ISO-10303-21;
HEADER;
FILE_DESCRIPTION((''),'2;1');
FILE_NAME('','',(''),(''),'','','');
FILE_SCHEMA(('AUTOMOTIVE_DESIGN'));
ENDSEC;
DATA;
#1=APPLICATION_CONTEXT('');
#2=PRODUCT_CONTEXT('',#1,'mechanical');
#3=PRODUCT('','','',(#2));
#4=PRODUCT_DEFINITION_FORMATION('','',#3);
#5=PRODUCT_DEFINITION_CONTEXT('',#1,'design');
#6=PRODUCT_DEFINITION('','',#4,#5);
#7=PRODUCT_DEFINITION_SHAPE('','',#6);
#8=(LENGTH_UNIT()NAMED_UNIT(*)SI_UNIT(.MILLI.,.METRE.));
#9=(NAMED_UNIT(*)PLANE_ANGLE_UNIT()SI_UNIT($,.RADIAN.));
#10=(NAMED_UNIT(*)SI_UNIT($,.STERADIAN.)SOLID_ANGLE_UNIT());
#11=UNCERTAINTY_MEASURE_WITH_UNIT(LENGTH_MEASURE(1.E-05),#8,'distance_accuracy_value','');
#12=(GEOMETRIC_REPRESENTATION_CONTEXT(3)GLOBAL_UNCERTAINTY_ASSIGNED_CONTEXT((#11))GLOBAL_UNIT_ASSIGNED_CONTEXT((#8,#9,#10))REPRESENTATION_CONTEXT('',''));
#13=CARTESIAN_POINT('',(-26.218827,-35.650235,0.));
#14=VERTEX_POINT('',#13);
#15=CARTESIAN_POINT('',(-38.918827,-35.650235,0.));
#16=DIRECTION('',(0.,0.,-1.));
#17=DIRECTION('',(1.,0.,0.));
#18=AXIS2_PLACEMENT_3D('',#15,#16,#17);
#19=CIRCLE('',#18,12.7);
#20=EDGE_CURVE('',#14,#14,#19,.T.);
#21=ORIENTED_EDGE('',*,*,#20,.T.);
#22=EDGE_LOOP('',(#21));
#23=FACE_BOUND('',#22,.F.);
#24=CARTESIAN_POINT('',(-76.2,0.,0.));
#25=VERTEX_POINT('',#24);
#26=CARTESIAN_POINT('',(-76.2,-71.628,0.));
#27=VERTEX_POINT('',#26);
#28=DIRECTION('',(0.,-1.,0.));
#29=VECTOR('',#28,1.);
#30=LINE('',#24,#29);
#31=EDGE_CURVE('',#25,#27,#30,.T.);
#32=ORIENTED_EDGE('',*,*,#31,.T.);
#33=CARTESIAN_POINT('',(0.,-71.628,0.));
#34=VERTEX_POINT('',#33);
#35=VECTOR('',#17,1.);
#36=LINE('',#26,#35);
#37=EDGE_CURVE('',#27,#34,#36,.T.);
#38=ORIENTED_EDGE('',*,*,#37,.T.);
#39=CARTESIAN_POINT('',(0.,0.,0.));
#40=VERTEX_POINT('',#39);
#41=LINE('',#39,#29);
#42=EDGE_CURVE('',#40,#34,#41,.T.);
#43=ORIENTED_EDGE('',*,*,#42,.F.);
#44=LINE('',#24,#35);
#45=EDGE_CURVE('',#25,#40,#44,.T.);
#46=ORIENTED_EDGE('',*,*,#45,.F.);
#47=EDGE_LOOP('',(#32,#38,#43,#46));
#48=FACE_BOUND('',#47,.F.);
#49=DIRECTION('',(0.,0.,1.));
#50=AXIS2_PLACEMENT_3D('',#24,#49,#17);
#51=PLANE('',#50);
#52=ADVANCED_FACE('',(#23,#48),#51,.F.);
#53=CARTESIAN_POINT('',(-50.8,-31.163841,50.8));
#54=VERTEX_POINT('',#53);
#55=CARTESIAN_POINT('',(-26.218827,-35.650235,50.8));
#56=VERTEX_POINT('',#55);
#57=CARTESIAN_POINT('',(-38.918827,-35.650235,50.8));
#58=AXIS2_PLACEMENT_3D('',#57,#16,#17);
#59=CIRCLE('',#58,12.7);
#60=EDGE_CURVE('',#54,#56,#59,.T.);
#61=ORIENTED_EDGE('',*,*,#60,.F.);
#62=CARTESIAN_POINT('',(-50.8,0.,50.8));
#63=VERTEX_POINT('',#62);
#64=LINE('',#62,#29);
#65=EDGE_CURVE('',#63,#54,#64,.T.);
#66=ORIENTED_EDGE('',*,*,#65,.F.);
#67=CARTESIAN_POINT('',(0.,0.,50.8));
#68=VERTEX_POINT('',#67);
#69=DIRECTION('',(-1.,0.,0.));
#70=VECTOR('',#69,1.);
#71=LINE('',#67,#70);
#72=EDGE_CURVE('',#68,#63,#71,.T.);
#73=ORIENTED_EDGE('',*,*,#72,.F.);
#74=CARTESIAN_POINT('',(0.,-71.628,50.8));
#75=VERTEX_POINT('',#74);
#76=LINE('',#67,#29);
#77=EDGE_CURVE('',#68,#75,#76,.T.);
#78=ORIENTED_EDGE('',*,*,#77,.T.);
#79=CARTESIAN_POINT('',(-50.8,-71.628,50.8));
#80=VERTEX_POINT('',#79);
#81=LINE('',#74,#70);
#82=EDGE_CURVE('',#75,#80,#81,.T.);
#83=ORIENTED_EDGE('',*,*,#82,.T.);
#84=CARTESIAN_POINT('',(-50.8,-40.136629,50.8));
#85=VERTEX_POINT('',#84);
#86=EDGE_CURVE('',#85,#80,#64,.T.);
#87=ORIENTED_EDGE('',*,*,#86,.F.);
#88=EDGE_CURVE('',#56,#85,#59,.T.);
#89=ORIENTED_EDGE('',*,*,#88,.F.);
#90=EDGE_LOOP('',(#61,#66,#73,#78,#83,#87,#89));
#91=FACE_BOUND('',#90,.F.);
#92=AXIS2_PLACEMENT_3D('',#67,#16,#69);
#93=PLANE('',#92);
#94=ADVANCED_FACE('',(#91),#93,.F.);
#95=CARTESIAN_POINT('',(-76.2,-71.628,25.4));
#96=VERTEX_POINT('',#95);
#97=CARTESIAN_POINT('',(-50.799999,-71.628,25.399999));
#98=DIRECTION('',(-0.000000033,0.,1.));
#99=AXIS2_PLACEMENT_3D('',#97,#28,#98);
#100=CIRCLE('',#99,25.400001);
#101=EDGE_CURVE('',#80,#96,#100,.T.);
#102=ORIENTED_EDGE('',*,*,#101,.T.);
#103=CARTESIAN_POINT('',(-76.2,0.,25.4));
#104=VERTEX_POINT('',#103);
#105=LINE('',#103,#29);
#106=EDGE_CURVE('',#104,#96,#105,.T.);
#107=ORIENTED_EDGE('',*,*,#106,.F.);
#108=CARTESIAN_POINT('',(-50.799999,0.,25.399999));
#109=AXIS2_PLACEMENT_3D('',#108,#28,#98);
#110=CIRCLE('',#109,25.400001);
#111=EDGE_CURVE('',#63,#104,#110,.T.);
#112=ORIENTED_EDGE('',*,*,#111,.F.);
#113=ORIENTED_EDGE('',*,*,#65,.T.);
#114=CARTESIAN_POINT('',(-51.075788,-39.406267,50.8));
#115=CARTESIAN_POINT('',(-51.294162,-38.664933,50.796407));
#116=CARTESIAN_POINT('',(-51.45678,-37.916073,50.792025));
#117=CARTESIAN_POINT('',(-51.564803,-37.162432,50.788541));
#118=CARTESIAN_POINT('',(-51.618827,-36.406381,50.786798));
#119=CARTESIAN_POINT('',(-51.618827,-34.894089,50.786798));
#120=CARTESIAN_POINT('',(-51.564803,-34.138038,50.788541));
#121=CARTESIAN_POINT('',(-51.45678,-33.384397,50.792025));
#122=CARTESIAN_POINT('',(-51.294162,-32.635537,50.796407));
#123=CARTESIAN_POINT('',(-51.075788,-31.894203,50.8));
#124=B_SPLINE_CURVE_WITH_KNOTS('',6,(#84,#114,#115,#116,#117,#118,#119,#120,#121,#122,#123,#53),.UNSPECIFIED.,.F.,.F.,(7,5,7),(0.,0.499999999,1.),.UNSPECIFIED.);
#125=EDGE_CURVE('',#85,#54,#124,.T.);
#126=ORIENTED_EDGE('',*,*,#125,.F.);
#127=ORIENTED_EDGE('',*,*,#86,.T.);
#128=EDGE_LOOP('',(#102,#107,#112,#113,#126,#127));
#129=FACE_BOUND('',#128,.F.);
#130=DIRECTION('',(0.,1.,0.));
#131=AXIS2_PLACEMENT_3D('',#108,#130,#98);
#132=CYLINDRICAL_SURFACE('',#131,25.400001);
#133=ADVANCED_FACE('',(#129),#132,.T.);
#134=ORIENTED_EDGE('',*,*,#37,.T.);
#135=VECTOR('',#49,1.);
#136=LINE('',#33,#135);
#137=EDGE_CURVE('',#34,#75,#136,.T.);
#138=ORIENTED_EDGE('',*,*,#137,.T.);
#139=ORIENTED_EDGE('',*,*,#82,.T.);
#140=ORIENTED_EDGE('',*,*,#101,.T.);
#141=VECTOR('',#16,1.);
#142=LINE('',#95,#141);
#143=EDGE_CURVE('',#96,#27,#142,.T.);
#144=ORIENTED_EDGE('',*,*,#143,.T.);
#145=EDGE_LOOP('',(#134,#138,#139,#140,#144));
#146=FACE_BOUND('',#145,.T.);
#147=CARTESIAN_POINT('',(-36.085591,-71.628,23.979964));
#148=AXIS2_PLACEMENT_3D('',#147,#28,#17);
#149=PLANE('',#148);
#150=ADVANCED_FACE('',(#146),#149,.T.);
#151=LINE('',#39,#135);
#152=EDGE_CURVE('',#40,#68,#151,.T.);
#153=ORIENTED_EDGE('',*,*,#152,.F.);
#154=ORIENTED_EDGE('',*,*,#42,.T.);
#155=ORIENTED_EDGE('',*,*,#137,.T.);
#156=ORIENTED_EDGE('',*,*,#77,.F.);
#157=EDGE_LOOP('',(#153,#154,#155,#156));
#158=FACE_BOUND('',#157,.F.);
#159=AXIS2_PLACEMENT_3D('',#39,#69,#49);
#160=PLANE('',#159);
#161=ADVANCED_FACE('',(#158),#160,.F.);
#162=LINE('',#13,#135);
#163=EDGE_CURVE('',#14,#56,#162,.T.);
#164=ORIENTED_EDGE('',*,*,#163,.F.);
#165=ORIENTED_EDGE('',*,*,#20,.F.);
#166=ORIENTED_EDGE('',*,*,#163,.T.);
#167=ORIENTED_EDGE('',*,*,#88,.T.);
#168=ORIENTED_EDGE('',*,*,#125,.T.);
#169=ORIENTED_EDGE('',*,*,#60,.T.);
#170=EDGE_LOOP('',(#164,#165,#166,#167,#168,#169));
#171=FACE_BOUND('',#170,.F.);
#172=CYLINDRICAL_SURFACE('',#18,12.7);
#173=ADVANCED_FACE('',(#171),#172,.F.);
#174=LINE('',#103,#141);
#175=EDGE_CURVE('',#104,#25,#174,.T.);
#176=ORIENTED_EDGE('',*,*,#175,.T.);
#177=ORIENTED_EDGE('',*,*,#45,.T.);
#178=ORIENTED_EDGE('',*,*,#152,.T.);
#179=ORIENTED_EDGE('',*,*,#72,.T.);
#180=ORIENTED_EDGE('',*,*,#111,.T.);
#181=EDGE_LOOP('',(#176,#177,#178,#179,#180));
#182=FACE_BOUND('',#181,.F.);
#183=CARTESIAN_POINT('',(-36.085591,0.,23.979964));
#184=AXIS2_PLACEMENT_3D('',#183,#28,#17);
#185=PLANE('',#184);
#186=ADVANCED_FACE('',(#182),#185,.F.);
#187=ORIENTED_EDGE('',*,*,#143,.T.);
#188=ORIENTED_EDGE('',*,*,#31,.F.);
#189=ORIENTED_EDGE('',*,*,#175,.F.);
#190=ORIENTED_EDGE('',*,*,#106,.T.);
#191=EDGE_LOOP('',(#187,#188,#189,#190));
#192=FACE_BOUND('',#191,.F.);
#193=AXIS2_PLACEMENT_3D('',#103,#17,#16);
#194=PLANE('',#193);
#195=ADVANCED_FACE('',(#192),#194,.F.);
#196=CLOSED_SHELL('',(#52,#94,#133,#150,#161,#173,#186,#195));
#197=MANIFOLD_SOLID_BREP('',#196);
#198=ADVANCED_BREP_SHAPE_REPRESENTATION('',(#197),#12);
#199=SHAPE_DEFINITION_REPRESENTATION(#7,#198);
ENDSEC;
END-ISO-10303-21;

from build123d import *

# Parameters (mm, degrees)
F1_DEPTH = 71.628
F2_R     = 12.7
F3_DEPTH = 50.801


with BuildPart() as f1:
    # F0 (on Front) → F1 (new body)
    with BuildSketch(Plane.XZ):
        with BuildLine():
            Line((-76.2, 0), (0, 0))
            Line((0, 0), (0, 50.8))
            Line((0, 50.8), (-50.8, 50.8))
            ThreePointArc((-50.8, 50.8), (-68.760512, 43.360512), (-76.2, 25.4))
            Line((-76.2, 25.4), (-76.2, 0))
        make_face()
    extrude(amount=F1_DEPTH)

    # F2 (on face) → F3 (cut, through all)
    with BuildSketch(Plane(origin=(0, 0, 0), x_dir=(1, 0, 0), z_dir=(0, 0, -1))):
        with Locations((-38.918827, 35.650235)):
            Circle(F2_R)
    extrude(amount=-F3_DEPTH, mode=Mode.SUBTRACT)


solid = f1.part
